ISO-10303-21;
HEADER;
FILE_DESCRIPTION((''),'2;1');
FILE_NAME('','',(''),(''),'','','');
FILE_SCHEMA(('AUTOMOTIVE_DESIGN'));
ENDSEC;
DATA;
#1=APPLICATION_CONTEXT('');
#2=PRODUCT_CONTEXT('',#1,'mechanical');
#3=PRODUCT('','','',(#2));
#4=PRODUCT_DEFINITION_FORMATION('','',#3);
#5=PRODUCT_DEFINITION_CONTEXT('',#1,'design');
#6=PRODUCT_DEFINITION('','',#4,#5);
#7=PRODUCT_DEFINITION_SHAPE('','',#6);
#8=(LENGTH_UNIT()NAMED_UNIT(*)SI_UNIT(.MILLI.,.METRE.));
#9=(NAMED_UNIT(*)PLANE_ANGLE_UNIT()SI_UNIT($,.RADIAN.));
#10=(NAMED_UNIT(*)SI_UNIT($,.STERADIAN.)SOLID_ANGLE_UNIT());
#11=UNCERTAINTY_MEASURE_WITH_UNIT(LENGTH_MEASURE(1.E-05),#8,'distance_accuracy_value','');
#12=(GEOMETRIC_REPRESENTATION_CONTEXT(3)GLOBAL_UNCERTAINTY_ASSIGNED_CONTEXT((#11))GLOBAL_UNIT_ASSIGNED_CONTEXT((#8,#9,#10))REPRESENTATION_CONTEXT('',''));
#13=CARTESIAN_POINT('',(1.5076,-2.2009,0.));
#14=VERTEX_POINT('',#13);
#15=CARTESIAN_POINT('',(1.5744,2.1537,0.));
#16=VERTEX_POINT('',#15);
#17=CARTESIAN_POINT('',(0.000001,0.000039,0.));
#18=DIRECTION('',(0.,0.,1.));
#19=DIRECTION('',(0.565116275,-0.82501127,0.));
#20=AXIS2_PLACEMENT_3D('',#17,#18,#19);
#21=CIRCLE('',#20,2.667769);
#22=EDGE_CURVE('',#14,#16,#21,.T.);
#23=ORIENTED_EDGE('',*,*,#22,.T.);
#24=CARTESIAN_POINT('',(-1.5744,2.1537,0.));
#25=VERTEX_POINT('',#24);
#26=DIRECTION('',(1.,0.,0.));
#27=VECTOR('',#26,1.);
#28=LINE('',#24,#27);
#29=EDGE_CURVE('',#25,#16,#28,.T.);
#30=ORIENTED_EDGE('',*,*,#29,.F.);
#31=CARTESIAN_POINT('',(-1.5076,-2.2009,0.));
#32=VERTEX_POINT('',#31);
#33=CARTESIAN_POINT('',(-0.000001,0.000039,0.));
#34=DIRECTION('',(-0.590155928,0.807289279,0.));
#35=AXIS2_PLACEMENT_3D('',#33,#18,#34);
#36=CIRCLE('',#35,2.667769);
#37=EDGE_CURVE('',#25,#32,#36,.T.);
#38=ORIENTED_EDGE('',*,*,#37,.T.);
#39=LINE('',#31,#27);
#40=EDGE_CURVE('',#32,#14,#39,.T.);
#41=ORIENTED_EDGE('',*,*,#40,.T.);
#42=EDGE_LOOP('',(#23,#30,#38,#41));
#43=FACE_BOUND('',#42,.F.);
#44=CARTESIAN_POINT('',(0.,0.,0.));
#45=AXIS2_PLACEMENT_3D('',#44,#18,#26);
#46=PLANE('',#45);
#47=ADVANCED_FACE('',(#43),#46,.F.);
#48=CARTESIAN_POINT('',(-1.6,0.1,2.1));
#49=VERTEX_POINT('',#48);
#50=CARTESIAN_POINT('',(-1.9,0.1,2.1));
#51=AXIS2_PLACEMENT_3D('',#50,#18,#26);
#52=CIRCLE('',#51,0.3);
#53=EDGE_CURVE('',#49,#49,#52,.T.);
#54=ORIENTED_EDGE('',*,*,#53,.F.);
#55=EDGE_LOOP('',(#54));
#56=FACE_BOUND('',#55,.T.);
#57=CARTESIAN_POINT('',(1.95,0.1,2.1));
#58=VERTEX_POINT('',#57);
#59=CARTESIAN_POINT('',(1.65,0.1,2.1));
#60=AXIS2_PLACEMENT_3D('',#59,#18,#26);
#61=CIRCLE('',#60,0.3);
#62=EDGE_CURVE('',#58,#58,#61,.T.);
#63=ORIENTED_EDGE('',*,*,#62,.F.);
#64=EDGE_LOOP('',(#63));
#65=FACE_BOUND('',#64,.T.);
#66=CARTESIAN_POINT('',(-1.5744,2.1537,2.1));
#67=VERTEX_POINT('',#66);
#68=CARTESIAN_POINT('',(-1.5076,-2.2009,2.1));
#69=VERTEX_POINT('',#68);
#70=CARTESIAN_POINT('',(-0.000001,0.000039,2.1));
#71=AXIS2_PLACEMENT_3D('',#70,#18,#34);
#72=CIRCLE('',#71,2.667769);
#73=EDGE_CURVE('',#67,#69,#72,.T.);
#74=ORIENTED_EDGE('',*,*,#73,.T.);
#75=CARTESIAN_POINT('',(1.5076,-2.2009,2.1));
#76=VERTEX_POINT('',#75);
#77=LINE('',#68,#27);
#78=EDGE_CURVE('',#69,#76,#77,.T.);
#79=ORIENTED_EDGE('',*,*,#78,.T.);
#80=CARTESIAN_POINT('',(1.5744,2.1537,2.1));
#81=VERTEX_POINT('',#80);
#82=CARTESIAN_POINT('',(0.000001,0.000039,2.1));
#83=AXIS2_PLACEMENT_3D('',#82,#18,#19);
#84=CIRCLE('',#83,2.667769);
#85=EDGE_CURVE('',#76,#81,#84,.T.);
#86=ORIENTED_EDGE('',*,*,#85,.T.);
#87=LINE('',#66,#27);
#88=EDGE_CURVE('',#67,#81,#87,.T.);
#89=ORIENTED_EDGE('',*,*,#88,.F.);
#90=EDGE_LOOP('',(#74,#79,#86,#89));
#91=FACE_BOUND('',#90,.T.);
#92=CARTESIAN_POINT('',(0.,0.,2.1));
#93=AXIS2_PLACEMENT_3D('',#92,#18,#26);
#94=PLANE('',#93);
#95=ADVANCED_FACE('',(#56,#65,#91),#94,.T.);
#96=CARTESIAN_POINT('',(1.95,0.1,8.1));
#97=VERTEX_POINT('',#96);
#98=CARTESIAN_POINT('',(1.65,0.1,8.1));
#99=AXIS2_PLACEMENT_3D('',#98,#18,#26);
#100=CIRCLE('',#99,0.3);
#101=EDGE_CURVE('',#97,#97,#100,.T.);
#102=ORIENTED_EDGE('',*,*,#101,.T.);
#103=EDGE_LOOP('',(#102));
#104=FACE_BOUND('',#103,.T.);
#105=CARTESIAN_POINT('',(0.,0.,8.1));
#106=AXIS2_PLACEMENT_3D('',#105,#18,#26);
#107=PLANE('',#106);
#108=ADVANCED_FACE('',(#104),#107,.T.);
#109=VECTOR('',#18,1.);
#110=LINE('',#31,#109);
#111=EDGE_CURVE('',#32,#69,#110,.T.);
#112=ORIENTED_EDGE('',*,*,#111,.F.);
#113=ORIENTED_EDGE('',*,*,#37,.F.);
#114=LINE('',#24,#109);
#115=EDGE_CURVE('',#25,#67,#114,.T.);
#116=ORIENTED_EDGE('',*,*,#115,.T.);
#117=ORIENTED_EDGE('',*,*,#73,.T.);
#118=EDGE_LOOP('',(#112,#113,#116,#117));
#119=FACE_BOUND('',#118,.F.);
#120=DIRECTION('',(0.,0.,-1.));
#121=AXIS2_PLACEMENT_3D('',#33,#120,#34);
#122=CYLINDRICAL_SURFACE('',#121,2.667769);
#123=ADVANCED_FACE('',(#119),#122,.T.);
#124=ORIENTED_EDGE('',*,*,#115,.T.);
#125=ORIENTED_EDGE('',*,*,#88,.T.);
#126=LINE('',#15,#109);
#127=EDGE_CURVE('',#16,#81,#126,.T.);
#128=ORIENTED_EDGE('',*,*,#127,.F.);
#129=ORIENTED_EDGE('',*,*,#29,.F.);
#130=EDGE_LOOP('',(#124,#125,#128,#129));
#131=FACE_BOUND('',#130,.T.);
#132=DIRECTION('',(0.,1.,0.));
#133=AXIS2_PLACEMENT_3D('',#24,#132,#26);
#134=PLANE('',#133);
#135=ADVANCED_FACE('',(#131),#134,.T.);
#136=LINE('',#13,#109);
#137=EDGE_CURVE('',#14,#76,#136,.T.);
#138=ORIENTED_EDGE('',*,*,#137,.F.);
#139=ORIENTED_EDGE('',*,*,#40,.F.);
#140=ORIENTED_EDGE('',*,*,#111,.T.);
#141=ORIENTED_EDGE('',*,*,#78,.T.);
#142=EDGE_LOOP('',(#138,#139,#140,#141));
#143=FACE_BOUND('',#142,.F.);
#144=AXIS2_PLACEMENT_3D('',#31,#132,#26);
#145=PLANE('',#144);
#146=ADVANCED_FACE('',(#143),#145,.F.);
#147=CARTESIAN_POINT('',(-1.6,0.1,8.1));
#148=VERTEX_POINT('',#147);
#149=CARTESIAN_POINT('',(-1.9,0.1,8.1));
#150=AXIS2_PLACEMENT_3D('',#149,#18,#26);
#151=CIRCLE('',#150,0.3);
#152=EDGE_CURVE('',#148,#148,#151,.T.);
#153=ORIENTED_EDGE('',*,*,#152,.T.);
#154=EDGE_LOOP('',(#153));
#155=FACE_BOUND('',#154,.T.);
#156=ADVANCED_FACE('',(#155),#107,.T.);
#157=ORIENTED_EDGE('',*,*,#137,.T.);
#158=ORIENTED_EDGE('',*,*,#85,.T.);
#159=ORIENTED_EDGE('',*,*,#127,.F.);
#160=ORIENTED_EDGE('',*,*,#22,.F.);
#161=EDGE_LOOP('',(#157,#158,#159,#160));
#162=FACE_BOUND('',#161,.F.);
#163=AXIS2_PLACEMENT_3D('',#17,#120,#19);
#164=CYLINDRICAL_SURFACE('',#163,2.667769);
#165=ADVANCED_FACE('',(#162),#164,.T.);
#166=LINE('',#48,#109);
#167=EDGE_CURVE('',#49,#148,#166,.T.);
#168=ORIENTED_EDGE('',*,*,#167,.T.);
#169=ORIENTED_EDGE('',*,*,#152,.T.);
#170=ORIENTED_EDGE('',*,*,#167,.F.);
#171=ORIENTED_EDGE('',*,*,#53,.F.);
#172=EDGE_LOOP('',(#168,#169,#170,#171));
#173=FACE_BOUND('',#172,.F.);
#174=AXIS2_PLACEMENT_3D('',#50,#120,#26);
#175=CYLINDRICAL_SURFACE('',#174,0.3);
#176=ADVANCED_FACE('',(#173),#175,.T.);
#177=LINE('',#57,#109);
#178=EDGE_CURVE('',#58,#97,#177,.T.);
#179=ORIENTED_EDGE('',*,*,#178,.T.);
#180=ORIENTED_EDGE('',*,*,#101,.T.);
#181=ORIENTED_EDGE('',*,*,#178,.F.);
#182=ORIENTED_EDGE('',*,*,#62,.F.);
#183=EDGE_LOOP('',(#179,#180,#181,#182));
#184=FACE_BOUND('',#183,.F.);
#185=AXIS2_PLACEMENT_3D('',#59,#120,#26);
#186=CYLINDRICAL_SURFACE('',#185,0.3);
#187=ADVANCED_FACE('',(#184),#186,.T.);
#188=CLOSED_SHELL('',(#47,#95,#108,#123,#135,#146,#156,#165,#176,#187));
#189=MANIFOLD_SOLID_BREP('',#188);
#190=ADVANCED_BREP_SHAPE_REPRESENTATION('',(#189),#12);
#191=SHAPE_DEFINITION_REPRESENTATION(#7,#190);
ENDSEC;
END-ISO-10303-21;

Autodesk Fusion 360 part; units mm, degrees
sketch "Sketch2" plane through (0, 0, 0) normal (0, 0, 1) x (1, 0, 0)
  line L0 (-1.5076, -2.2009) -> (1.5076, -2.2009)
  line L1 (-1.5744, 2.1537) -> (1.5744, 2.1537)
  arc A0 (1.5076, -2.2009) -> (1.5744, 2.1537) centre (0, 0) ccw
  arc A1 (-1.5744, 2.1537) -> (-1.5076, -2.2009) centre (0, 0) ccw
  circle A2 centre (-1.9, 0.1) radius 0.3
  circle A3 centre (1.65, 0.1) radius 0.3
  dimension "d3" = 0.6
  dimension "d4" = 0.6
extrude "Extrude1" add sketch "Sketch2" along normal blind 2.1 contours L0 L1 A0 A1 | A2 | A3
extrude "Extrude2" add sketch "Sketch2" along normal blind 6 from surface at 2.1 contours A2 | A3
